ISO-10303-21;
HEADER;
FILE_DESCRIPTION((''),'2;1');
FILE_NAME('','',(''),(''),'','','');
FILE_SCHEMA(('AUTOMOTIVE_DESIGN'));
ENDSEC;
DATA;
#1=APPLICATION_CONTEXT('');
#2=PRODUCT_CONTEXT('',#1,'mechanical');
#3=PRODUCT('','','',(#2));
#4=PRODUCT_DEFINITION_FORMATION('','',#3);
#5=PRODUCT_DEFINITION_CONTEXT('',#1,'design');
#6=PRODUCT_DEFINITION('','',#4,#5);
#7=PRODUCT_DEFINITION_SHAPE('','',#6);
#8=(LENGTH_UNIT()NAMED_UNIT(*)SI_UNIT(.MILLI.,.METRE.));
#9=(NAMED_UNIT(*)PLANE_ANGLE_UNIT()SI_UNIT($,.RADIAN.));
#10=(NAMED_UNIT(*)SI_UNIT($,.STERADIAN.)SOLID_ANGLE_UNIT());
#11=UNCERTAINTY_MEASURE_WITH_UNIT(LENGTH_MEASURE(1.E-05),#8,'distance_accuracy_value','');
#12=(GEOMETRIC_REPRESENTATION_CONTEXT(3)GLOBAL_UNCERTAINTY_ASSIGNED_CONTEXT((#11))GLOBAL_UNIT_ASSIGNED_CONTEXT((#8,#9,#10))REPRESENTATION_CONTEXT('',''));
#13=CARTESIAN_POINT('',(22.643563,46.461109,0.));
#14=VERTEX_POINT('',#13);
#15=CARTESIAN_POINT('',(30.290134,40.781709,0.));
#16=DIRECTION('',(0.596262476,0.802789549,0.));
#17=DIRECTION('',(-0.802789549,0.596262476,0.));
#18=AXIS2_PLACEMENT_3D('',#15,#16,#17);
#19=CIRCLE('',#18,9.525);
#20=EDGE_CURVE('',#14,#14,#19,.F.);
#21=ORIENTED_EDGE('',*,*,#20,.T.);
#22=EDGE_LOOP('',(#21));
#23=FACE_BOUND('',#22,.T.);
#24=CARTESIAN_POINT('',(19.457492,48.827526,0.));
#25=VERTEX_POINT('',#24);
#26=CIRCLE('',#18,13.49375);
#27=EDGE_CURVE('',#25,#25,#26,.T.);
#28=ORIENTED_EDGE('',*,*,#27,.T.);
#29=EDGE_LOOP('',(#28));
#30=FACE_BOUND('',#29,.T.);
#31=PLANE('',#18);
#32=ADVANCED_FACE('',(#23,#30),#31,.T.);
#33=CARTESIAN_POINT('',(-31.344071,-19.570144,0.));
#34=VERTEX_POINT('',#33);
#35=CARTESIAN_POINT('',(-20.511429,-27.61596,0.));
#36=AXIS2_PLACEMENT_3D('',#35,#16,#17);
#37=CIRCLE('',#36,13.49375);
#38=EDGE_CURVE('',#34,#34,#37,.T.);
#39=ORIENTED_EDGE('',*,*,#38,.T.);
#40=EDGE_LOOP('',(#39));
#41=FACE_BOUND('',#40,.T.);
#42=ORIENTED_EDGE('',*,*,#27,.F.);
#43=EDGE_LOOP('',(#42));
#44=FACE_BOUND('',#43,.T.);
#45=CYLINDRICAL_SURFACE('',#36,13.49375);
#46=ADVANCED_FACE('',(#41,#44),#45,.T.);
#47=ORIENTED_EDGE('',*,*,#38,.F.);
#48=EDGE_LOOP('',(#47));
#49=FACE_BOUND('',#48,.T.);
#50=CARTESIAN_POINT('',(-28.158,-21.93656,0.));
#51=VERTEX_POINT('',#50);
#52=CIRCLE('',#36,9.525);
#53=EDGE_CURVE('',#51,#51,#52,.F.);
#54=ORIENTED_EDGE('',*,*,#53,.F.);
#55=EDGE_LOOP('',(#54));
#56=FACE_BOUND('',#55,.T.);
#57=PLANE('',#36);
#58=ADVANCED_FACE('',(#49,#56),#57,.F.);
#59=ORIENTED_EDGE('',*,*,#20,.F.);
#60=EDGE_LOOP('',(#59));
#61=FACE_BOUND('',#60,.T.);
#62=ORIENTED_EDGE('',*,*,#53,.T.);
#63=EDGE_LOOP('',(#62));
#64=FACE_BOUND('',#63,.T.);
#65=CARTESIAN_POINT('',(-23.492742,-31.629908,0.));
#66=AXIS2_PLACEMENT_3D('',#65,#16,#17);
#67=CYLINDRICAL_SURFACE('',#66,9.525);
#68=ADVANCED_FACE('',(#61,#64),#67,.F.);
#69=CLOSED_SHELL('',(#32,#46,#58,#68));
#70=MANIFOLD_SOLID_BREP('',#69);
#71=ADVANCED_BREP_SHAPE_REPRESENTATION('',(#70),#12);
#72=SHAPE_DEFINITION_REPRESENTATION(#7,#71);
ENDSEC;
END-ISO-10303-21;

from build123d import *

# Parameters (mm, degrees)
SWEEP1_PROFILE_R     = 13.49375
CUT_SWEEP1_PROFILE_R = 9.525


with BuildPart() as part:
    # Sweep1: sweep along a curve in space
    with BuildLine() as sweep1_path:
        Line((-20.511429175, -27.615960479, 0), (30.290133782, 40.78170908, 0))
    # Sweep1 profile (on start of the path) → Sweep1 (sweep)
    with BuildSketch(Plane(origin=(-20.511429175, -27.615960479, 0), x_dir=(0.8027895488189019, -0.5962624760180234, 0), z_dir=(0.5962624760180234, 0.8027895488189019, 1.2207338630913782e-15))):
        Circle(SWEEP1_PROFILE_R)
    sweep(path=sweep1_path.line)

    # Cut-Sweep1: sweep along a curve in space
    with BuildLine() as cut_sweep1_path:
        Line((-20.511429175, -27.615960479, 0), (30.290133782, 40.78170908, 0))
    # Cut-Sweep1 profile (on start of the path) → Cut-Sweep1 (sweep, cut)
    with BuildSketch(Plane(origin=(-20.511429175, -27.615960479, 0), x_dir=(0.8027895488189019, -0.5962624760180234, 0), z_dir=(0.5962624760180234, 0.8027895488189019, 1.2207338630913782e-15))):
        Circle(CUT_SWEEP1_PROFILE_R)
    sweep(path=cut_sweep1_path.line, mode=Mode.SUBTRACT)


solid = part.part
